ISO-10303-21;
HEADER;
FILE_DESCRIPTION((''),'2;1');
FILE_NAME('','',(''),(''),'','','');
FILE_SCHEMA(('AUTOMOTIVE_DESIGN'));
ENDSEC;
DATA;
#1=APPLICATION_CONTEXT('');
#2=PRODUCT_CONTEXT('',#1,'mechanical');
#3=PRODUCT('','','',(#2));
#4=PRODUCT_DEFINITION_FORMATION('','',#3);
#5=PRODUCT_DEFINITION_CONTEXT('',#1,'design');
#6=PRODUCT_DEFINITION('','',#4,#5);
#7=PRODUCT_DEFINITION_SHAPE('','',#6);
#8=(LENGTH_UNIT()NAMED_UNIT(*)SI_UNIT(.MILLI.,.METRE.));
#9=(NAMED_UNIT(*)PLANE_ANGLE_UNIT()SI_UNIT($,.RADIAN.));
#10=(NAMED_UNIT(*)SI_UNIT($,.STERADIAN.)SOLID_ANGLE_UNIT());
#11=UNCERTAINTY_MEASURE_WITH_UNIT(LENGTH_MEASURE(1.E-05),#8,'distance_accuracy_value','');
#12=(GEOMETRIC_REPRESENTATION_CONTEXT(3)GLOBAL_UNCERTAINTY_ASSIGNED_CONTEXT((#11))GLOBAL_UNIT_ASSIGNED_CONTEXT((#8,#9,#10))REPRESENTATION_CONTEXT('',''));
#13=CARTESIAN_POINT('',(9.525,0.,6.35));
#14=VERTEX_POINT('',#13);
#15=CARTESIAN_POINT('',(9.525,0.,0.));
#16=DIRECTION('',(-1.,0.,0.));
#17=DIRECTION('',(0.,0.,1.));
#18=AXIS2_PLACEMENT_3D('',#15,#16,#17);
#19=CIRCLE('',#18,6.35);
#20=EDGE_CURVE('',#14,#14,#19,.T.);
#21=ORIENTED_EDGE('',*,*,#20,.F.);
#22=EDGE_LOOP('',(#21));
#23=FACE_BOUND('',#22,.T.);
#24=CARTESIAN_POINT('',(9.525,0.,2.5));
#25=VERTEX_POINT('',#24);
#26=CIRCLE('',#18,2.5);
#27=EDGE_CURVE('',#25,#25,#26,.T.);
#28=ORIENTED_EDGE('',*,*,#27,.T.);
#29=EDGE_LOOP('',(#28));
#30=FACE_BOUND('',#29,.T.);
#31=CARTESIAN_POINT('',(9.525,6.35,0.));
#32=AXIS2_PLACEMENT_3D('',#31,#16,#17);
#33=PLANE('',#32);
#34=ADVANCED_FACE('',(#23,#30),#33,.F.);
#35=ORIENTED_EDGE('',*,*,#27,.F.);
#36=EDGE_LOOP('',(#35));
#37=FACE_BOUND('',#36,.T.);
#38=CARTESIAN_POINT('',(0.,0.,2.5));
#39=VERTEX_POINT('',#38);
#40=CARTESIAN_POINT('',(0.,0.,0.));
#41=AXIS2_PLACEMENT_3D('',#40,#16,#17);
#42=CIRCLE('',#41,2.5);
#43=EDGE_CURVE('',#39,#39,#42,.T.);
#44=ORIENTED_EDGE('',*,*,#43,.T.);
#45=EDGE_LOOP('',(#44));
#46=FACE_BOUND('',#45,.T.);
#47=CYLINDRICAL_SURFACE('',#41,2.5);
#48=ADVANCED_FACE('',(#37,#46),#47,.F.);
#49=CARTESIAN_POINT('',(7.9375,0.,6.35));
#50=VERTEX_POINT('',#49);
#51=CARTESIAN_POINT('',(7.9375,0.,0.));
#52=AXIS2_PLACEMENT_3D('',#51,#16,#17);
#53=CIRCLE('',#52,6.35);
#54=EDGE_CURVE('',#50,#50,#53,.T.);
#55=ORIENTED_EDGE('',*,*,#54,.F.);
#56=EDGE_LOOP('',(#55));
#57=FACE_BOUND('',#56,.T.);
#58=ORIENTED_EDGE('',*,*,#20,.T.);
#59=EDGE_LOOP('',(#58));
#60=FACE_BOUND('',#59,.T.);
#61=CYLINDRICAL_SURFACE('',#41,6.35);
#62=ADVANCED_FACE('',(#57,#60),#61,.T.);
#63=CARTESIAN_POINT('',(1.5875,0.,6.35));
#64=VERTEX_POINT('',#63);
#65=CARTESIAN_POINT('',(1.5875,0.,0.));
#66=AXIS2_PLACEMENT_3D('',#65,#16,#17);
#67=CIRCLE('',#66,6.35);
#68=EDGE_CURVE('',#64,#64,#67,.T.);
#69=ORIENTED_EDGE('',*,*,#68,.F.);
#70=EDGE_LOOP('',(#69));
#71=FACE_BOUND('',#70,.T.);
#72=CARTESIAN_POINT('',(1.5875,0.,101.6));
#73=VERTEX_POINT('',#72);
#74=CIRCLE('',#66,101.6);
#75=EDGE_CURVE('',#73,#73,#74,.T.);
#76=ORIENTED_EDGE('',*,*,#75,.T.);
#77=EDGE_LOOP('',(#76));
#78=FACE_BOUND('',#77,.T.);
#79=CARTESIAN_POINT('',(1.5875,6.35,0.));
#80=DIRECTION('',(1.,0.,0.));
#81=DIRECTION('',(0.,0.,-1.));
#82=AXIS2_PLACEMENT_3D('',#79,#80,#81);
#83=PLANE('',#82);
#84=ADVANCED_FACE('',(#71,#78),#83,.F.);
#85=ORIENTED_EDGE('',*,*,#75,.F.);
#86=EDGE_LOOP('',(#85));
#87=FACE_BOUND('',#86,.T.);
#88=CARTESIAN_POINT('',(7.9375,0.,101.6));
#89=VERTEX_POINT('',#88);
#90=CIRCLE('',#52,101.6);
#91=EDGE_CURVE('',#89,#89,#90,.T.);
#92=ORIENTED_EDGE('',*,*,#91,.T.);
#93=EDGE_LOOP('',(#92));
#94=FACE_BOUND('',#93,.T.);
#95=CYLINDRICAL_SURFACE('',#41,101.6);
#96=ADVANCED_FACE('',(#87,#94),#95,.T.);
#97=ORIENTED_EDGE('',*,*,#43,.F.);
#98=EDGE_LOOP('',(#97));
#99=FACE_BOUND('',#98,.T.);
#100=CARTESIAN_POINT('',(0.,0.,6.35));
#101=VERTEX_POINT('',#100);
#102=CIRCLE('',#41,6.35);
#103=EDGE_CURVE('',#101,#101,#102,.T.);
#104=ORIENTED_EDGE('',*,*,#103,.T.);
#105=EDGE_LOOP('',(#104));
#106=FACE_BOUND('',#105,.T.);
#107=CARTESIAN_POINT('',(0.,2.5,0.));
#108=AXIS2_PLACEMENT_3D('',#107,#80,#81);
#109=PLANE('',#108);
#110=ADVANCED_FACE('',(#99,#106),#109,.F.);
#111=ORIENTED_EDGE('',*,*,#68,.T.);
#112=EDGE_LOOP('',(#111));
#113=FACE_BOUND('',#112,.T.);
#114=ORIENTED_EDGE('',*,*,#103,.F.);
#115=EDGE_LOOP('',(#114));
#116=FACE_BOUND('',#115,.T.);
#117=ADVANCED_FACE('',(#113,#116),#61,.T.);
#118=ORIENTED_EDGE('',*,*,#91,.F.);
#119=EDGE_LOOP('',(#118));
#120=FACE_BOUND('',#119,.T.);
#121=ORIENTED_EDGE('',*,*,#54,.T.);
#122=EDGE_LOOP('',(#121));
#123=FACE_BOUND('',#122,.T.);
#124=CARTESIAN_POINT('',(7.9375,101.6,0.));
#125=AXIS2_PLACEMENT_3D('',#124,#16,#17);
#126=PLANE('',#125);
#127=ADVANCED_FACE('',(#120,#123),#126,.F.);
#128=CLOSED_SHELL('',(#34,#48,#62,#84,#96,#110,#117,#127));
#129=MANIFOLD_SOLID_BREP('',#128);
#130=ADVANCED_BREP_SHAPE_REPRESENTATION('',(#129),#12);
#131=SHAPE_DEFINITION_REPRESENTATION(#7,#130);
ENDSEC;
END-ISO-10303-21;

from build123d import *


with BuildPart() as part:
    # Sketch1 → Revolve1 (revolve)
    with BuildSketch(Plane.XY):
        Polygon((0, 6.35), (1.5875, 6.35), (1.5875, 101.6), (7.9375, 101.6), (7.9375, 6.35), (9.525, 6.35), (9.525, 2.5), (0, 2.5), align=None)
    revolve(axis=Axis((0, 0, 0), (1, 0, 0)))


solid = part.part
